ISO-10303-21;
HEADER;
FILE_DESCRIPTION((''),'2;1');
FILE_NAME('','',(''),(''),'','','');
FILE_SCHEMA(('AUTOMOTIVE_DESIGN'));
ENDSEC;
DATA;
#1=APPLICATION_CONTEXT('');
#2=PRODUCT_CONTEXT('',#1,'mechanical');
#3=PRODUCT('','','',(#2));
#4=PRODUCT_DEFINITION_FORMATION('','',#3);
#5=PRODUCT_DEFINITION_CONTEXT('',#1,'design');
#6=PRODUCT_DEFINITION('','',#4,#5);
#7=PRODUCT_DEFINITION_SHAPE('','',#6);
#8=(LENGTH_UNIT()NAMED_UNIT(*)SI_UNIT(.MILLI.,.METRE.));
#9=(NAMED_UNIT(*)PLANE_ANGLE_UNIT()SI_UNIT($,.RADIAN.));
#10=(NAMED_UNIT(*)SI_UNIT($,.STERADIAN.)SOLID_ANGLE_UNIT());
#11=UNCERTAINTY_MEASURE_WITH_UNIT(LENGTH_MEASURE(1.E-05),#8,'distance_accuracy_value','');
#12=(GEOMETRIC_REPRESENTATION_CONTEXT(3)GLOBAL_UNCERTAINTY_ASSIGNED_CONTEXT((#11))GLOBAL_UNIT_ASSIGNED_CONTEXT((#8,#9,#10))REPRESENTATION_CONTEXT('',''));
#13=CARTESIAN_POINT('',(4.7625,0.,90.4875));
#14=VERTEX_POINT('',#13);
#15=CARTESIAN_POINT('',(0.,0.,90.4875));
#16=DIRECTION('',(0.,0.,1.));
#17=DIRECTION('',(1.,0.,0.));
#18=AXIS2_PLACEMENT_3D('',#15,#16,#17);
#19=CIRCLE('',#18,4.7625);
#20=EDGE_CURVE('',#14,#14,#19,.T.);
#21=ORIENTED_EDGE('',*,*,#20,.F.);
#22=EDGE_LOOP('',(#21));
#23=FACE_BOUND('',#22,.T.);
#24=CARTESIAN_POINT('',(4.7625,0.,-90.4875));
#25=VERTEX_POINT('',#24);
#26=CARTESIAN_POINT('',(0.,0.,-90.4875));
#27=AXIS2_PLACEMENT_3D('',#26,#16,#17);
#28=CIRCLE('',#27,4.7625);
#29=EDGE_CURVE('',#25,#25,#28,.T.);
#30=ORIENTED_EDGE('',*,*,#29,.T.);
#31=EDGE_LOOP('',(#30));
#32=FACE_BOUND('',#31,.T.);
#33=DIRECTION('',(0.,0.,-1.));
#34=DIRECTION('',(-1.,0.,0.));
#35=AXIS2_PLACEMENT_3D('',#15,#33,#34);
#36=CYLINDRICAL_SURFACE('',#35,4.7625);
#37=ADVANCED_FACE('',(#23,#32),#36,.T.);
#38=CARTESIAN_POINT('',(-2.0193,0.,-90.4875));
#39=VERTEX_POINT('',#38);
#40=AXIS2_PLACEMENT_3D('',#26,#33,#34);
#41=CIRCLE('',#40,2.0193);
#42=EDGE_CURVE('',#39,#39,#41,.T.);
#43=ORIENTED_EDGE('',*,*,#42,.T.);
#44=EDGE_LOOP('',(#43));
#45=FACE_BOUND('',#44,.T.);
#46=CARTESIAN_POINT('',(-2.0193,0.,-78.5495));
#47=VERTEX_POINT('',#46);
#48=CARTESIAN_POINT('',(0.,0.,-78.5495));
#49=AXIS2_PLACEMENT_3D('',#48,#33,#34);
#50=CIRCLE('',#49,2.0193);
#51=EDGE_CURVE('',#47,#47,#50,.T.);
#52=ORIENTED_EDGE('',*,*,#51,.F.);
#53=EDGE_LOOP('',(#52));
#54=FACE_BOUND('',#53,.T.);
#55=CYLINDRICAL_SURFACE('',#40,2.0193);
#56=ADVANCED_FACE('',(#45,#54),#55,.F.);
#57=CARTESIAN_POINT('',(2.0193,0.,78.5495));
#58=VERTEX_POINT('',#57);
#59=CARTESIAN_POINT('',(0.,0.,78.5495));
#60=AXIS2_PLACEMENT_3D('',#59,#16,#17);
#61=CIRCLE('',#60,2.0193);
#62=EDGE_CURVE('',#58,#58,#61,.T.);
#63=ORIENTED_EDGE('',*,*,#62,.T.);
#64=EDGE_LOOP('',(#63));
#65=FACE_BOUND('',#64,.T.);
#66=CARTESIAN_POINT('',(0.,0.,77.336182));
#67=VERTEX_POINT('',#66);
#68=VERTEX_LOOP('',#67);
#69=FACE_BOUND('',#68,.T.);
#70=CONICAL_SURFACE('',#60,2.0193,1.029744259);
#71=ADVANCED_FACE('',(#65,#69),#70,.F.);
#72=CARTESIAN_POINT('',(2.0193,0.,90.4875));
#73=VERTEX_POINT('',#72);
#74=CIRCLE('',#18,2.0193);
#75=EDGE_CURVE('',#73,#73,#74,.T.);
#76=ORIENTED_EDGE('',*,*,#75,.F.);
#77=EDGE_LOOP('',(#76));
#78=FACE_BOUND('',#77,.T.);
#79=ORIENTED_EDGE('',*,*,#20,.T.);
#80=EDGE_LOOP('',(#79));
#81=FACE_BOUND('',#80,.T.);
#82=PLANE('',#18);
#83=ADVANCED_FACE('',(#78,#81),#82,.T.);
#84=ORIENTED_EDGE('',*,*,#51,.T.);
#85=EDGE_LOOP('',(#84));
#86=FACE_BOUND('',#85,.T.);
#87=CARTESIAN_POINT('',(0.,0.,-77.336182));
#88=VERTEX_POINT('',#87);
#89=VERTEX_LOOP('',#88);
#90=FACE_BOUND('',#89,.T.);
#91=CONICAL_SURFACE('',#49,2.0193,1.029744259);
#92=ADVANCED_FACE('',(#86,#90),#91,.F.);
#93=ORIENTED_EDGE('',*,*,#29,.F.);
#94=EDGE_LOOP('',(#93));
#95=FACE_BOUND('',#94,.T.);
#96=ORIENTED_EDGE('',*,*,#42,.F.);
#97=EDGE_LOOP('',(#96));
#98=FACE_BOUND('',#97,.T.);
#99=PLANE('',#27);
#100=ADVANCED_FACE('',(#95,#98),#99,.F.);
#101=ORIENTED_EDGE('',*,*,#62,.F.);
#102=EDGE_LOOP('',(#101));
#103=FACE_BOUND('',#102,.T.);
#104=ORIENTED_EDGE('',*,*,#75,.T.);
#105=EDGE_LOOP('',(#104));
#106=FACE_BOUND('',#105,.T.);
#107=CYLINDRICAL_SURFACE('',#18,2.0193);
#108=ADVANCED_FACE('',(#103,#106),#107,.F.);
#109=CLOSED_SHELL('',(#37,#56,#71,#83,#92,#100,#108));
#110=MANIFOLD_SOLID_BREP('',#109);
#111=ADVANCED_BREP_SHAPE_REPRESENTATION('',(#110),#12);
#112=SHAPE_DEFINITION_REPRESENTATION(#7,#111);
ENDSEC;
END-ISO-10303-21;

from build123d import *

# Parameters (mm, degrees)
SKETCH1_R                            = 4.7625
BOSS_EXTRUDE1_DEPTH                  = 90.4875
F_10_32_TAPPED_HOLE1_D               = 4.0386
F_10_32_TAPPED_HOLE1_DEPTH           = 11.938
F_10_32_TAPPED_HOLE1_TIP             = 1.213317848
F_10_32_TAPPED_HOLE1_ON_FACE_2_D     = 4.0386
F_10_32_TAPPED_HOLE1_ON_FACE_2_DEPTH = 11.938
F_10_32_TAPPED_HOLE1_ON_FACE_2_TIP   = 1.213317848


with BuildPart() as part:
    # Sketch1 → Boss-Extrude1 (new, symmetric)
    with BuildSketch(Plane.XY):
        Circle(SKETCH1_R)
    extrude(amount=BOSS_EXTRUDE1_DEPTH, both=True)

    # #10-32 Tapped Hole1
    with Locations(Plane.XY.offset(90.4875)):
        with Locations((0, 0)):
            Hole(F_10_32_TAPPED_HOLE1_D / 2, depth=F_10_32_TAPPED_HOLE1_DEPTH)
            with Locations((0, 0, -(F_10_32_TAPPED_HOLE1_DEPTH + F_10_32_TAPPED_HOLE1_TIP / 2))):  # 118° drill point
                Cone(0, F_10_32_TAPPED_HOLE1_D / 2, F_10_32_TAPPED_HOLE1_TIP, mode=Mode.SUBTRACT)

    # #10-32 Tapped Hole1 on face 2
    with Locations(Plane(origin=(0, 0, -90.4875), x_dir=(-1, 0, 0), z_dir=(0, 0, -1))):
        with Locations((0, 0)):
            Hole(F_10_32_TAPPED_HOLE1_ON_FACE_2_D / 2, depth=F_10_32_TAPPED_HOLE1_ON_FACE_2_DEPTH)
            with Locations((0, 0, -(F_10_32_TAPPED_HOLE1_ON_FACE_2_DEPTH + F_10_32_TAPPED_HOLE1_ON_FACE_2_TIP / 2))):  # 118° drill point
                Cone(0, F_10_32_TAPPED_HOLE1_ON_FACE_2_D / 2, F_10_32_TAPPED_HOLE1_ON_FACE_2_TIP, mode=Mode.SUBTRACT)


solid = part.part
